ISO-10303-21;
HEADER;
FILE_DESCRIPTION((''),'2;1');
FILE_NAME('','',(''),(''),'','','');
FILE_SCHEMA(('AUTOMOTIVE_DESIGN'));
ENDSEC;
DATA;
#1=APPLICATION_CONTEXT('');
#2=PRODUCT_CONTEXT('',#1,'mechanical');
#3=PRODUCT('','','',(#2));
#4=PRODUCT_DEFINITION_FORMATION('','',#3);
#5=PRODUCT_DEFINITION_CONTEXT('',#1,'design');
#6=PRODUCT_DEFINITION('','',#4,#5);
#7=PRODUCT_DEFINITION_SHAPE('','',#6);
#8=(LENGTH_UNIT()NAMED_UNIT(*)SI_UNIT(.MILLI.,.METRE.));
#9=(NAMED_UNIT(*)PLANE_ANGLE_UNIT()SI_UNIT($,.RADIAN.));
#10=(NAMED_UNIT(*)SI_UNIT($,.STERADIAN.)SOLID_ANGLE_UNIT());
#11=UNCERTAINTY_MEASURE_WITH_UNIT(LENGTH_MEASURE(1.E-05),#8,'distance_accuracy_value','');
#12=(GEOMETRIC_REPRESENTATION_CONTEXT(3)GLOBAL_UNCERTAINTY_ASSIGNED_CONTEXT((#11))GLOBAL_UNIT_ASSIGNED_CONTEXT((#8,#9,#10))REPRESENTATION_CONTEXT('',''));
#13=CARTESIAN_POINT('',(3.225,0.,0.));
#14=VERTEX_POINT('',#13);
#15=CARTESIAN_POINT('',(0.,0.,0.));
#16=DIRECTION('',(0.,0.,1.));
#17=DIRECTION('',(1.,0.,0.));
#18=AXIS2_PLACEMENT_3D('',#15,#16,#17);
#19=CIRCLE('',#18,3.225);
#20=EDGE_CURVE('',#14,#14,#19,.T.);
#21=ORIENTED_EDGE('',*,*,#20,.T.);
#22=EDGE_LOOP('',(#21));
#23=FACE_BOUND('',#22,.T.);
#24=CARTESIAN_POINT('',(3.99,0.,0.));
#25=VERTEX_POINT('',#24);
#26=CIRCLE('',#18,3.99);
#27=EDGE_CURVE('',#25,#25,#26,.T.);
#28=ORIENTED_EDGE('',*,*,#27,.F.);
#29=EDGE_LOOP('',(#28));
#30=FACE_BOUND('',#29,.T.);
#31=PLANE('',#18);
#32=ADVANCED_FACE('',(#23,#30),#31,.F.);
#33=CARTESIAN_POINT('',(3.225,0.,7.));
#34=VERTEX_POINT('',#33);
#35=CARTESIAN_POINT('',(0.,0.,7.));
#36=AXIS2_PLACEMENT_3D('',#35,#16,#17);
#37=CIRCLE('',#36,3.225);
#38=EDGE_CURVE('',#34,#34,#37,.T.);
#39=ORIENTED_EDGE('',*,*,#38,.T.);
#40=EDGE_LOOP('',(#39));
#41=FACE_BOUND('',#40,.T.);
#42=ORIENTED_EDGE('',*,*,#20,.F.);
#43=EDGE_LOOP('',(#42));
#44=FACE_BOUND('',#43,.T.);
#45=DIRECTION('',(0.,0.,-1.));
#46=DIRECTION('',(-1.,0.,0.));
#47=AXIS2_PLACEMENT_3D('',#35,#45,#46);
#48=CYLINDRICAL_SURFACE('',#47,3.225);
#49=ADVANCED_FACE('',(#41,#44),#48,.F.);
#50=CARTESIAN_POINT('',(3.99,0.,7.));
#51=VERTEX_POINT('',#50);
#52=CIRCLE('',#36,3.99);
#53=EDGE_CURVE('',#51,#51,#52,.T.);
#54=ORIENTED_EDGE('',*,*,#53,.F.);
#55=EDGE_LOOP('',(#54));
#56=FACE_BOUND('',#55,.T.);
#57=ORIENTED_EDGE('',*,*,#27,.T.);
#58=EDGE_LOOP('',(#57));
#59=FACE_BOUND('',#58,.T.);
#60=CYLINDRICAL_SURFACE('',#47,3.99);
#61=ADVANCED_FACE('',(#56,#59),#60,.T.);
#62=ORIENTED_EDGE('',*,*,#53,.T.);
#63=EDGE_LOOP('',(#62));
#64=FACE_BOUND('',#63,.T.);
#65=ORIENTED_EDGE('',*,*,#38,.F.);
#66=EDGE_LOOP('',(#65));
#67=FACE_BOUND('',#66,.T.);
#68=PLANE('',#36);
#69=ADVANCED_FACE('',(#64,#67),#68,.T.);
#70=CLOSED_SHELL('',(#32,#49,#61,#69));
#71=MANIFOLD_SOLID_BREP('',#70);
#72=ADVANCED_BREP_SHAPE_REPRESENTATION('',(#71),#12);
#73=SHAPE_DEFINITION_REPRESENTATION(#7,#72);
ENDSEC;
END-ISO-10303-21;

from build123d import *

# Parameters (mm, degrees)
ADAPTER_8OD_6P45ID_PROFILE_R   = 3.99
ADAPTER_8OD_6P45ID_PROFILE_R_2 = 3.225
ADAPTER_8OD_6P45ID_DEPTH       = 7


with BuildPart() as part:
    # Adapter_8OD_6p45ID_profile → Adapter_8OD_6p45ID (new body)
    with BuildSketch(Plane.XY):
        Circle(ADAPTER_8OD_6P45ID_PROFILE_R)
        Circle(ADAPTER_8OD_6P45ID_PROFILE_R_2, mode=Mode.SUBTRACT)
    extrude(amount=ADAPTER_8OD_6P45ID_DEPTH)


solid = part.part
